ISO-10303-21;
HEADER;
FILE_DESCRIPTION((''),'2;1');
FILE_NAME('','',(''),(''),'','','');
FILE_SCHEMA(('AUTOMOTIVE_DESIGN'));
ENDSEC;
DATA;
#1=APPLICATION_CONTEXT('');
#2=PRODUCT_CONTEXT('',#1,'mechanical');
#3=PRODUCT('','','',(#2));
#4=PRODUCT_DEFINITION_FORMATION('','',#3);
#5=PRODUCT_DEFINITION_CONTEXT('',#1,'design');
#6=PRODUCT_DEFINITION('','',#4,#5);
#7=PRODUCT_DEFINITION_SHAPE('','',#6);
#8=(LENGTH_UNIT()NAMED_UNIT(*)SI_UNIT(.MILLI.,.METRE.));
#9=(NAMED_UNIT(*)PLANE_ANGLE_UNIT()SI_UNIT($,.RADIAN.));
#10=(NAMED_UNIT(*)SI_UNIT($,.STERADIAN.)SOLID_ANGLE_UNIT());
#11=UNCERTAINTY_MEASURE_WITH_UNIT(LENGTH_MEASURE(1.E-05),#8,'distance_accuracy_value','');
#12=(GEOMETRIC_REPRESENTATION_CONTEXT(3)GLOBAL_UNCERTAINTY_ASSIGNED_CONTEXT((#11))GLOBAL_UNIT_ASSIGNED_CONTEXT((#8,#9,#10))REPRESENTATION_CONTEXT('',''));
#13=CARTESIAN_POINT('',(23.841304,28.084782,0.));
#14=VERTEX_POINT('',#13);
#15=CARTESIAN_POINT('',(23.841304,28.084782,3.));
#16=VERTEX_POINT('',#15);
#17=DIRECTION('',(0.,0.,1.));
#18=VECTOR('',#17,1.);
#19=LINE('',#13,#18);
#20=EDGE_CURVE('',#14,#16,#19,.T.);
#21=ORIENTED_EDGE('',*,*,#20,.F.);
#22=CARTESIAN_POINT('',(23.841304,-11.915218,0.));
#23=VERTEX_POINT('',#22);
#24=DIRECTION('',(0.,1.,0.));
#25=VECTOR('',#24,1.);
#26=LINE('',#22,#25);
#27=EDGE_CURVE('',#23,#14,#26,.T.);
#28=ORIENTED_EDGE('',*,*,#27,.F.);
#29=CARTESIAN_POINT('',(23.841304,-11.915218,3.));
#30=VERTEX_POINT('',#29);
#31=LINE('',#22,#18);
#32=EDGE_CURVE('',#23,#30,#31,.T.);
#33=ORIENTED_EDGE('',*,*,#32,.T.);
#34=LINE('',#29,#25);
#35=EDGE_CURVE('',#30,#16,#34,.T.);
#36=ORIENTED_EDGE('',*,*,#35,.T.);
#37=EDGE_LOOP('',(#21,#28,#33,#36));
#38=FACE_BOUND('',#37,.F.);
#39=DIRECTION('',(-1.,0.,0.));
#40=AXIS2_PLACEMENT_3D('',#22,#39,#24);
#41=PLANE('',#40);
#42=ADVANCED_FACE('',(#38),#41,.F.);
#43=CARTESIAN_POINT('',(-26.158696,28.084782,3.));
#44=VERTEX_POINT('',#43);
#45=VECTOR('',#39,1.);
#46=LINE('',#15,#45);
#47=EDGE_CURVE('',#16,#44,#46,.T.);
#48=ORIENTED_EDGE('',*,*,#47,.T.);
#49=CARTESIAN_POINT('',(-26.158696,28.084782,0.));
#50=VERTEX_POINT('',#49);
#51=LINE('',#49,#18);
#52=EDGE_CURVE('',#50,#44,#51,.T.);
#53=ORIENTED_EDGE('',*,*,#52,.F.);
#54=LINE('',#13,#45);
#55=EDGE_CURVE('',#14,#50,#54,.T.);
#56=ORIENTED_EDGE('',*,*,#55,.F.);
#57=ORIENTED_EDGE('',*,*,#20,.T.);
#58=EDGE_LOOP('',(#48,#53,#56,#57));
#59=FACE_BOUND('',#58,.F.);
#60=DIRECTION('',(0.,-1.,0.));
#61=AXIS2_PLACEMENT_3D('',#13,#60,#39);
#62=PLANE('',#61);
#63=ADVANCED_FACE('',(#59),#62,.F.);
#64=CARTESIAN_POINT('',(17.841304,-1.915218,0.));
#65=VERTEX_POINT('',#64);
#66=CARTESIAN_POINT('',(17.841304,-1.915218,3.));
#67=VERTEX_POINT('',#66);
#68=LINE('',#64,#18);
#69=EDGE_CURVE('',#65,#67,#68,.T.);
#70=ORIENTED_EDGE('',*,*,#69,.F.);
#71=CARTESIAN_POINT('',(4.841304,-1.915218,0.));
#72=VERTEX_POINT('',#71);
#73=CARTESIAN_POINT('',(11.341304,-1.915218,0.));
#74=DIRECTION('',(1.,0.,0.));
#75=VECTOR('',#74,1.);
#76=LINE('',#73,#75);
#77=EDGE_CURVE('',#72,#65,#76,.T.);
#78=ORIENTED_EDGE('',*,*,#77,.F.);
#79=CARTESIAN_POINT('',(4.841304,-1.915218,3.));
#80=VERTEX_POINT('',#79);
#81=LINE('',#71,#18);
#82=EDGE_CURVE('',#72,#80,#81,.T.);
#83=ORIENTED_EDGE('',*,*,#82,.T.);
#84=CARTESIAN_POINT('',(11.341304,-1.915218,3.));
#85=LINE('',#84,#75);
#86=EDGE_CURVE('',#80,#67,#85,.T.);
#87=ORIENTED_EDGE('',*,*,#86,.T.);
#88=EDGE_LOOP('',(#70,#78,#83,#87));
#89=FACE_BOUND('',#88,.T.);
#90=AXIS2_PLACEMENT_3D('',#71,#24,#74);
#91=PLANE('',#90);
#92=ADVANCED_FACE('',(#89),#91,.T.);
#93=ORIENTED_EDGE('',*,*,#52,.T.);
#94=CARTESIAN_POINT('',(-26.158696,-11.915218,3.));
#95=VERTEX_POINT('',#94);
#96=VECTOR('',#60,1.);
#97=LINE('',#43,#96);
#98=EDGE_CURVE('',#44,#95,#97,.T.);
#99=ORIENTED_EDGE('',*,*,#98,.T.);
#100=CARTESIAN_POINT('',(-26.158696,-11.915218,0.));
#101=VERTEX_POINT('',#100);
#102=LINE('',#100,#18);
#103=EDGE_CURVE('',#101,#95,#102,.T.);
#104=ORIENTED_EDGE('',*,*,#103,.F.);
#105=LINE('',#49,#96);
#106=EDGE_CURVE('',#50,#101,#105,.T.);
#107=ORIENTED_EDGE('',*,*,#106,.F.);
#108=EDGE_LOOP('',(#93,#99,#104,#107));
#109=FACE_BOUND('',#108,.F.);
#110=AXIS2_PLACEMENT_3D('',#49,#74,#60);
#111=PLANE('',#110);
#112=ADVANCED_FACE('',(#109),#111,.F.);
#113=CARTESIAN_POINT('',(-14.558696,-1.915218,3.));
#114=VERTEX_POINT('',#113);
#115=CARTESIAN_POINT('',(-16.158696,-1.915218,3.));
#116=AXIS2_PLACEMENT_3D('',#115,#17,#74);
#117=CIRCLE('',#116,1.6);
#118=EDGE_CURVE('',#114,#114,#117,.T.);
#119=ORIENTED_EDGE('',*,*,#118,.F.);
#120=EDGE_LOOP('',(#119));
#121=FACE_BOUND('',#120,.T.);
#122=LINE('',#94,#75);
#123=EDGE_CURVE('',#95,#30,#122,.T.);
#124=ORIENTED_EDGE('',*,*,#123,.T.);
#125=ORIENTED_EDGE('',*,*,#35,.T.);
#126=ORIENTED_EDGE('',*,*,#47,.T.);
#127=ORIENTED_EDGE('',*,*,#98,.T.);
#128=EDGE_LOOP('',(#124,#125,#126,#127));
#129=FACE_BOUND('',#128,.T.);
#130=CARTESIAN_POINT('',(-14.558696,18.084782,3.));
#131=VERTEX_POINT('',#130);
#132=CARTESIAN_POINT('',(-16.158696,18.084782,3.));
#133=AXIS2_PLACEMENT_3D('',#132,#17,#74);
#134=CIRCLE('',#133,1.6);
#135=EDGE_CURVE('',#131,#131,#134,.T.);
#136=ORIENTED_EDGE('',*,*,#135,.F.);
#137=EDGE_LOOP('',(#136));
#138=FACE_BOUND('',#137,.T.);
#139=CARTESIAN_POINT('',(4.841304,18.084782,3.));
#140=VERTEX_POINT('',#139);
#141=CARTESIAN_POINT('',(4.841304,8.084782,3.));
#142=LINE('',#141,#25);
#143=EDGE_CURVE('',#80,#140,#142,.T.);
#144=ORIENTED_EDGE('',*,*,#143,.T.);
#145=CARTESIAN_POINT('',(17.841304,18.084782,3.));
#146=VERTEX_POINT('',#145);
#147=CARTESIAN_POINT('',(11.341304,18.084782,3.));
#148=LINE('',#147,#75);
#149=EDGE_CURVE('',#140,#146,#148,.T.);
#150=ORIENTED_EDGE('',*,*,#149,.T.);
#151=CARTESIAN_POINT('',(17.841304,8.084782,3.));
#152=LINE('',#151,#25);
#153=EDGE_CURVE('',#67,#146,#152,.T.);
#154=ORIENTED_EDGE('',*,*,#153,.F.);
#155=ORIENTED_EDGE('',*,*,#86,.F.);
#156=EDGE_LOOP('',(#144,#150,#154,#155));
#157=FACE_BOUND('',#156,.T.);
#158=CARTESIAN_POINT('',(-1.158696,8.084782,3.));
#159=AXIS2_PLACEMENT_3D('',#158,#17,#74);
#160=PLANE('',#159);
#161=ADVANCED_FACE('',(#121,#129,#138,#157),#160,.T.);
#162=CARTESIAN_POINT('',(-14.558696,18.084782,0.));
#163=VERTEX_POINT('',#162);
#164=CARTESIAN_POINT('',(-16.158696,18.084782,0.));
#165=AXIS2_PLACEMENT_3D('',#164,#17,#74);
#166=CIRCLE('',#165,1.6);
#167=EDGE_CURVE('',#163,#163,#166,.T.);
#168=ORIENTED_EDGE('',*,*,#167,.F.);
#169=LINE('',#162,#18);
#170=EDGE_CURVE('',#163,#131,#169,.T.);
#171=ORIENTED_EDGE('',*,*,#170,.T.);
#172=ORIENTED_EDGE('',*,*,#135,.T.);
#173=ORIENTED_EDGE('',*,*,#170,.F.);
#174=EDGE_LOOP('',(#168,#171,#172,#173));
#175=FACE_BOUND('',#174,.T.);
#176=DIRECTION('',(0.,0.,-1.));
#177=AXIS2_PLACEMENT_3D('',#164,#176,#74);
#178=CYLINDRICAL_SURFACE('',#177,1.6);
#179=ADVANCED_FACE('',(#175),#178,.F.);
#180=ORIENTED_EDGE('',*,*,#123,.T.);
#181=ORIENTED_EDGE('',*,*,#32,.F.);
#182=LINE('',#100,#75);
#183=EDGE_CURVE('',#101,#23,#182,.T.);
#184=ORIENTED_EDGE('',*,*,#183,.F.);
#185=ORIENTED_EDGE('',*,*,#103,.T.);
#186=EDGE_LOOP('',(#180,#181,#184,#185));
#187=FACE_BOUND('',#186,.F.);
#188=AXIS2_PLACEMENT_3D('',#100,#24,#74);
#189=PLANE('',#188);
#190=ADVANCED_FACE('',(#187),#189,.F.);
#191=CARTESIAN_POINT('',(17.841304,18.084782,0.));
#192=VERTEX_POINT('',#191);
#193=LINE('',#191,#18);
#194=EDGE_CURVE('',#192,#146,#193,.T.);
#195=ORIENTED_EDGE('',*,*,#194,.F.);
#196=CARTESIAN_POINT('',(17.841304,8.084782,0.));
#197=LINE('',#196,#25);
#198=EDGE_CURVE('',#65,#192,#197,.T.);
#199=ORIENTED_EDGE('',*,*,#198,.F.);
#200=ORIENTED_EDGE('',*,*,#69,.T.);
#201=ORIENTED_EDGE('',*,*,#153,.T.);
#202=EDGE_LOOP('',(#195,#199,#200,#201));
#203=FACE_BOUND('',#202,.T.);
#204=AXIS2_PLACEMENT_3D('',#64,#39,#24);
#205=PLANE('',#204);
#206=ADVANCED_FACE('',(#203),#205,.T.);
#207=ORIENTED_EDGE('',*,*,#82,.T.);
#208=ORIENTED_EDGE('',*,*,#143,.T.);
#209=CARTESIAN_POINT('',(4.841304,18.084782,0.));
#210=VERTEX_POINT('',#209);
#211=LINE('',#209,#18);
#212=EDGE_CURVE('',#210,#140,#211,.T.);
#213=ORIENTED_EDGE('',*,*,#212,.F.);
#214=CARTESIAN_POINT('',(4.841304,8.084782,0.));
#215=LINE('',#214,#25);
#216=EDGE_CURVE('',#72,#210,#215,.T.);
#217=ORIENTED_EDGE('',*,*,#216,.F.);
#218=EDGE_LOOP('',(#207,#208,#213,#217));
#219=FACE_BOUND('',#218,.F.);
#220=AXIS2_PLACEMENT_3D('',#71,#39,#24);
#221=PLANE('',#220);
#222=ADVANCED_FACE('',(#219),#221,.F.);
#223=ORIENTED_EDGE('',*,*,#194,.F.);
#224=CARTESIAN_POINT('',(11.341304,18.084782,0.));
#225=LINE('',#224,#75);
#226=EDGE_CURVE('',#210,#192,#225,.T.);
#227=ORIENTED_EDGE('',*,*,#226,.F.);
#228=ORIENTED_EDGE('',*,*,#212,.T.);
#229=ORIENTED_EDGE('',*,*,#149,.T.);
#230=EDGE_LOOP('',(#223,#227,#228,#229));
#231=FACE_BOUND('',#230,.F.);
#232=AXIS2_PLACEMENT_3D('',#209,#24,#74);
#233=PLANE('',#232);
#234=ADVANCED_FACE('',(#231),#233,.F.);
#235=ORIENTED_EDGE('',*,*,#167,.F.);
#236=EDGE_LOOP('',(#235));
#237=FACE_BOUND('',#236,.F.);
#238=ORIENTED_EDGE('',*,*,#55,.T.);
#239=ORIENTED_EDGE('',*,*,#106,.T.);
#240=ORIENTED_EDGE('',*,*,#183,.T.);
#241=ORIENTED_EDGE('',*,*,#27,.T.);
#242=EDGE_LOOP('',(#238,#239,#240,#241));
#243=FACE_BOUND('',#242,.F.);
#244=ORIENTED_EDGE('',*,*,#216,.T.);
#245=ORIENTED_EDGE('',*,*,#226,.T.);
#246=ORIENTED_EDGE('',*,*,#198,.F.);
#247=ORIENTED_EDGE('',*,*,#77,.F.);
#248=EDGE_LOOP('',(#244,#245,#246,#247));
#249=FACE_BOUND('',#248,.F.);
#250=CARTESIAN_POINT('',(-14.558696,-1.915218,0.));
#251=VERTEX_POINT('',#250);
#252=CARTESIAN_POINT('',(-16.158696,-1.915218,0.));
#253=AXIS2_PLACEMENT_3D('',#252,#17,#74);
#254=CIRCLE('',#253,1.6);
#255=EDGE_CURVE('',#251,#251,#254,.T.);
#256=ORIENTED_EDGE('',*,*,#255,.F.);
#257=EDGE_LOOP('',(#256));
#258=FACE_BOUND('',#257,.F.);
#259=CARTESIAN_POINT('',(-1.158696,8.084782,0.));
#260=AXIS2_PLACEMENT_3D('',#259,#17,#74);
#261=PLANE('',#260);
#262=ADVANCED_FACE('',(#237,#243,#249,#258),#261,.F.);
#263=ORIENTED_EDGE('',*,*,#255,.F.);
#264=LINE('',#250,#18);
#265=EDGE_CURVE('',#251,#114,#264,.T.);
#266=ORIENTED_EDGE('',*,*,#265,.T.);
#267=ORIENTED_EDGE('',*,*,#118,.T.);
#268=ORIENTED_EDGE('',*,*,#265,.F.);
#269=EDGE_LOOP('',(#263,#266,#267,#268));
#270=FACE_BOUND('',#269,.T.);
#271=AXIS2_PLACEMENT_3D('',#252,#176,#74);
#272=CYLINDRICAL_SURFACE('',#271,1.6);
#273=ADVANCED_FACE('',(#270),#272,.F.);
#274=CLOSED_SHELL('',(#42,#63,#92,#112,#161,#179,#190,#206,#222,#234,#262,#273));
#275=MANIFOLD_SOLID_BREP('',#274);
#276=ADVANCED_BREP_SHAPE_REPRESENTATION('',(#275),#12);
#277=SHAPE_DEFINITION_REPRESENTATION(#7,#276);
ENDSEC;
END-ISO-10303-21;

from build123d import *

# Parameters (mm, degrees)
F0_R     = 1.6
F0_W     = 13
F0_H     = 20
F1_DEPTH = 3


with BuildPart() as f1:
    # F0 (on Top) → F1 (new body)
    with BuildSketch(Plane.XY):
        Polygon((-16.158696, 28.084782), (-26.158696, 28.084782), (-26.158696, 18.084782), (-26.158696, -11.915218), (23.841304, -11.915218), (23.841304, 28.084782), align=None)
        with Locations((-16.158696, -1.915218)):
            Circle(F0_R, mode=Mode.SUBTRACT)
        with Locations((-16.158696, 18.084782)):
            Circle(F0_R, mode=Mode.SUBTRACT)
        with Locations((11.341304, 8.084782)):
            Rectangle(F0_W, F0_H, mode=Mode.SUBTRACT)
    extrude(amount=F1_DEPTH)


solid = f1.part
